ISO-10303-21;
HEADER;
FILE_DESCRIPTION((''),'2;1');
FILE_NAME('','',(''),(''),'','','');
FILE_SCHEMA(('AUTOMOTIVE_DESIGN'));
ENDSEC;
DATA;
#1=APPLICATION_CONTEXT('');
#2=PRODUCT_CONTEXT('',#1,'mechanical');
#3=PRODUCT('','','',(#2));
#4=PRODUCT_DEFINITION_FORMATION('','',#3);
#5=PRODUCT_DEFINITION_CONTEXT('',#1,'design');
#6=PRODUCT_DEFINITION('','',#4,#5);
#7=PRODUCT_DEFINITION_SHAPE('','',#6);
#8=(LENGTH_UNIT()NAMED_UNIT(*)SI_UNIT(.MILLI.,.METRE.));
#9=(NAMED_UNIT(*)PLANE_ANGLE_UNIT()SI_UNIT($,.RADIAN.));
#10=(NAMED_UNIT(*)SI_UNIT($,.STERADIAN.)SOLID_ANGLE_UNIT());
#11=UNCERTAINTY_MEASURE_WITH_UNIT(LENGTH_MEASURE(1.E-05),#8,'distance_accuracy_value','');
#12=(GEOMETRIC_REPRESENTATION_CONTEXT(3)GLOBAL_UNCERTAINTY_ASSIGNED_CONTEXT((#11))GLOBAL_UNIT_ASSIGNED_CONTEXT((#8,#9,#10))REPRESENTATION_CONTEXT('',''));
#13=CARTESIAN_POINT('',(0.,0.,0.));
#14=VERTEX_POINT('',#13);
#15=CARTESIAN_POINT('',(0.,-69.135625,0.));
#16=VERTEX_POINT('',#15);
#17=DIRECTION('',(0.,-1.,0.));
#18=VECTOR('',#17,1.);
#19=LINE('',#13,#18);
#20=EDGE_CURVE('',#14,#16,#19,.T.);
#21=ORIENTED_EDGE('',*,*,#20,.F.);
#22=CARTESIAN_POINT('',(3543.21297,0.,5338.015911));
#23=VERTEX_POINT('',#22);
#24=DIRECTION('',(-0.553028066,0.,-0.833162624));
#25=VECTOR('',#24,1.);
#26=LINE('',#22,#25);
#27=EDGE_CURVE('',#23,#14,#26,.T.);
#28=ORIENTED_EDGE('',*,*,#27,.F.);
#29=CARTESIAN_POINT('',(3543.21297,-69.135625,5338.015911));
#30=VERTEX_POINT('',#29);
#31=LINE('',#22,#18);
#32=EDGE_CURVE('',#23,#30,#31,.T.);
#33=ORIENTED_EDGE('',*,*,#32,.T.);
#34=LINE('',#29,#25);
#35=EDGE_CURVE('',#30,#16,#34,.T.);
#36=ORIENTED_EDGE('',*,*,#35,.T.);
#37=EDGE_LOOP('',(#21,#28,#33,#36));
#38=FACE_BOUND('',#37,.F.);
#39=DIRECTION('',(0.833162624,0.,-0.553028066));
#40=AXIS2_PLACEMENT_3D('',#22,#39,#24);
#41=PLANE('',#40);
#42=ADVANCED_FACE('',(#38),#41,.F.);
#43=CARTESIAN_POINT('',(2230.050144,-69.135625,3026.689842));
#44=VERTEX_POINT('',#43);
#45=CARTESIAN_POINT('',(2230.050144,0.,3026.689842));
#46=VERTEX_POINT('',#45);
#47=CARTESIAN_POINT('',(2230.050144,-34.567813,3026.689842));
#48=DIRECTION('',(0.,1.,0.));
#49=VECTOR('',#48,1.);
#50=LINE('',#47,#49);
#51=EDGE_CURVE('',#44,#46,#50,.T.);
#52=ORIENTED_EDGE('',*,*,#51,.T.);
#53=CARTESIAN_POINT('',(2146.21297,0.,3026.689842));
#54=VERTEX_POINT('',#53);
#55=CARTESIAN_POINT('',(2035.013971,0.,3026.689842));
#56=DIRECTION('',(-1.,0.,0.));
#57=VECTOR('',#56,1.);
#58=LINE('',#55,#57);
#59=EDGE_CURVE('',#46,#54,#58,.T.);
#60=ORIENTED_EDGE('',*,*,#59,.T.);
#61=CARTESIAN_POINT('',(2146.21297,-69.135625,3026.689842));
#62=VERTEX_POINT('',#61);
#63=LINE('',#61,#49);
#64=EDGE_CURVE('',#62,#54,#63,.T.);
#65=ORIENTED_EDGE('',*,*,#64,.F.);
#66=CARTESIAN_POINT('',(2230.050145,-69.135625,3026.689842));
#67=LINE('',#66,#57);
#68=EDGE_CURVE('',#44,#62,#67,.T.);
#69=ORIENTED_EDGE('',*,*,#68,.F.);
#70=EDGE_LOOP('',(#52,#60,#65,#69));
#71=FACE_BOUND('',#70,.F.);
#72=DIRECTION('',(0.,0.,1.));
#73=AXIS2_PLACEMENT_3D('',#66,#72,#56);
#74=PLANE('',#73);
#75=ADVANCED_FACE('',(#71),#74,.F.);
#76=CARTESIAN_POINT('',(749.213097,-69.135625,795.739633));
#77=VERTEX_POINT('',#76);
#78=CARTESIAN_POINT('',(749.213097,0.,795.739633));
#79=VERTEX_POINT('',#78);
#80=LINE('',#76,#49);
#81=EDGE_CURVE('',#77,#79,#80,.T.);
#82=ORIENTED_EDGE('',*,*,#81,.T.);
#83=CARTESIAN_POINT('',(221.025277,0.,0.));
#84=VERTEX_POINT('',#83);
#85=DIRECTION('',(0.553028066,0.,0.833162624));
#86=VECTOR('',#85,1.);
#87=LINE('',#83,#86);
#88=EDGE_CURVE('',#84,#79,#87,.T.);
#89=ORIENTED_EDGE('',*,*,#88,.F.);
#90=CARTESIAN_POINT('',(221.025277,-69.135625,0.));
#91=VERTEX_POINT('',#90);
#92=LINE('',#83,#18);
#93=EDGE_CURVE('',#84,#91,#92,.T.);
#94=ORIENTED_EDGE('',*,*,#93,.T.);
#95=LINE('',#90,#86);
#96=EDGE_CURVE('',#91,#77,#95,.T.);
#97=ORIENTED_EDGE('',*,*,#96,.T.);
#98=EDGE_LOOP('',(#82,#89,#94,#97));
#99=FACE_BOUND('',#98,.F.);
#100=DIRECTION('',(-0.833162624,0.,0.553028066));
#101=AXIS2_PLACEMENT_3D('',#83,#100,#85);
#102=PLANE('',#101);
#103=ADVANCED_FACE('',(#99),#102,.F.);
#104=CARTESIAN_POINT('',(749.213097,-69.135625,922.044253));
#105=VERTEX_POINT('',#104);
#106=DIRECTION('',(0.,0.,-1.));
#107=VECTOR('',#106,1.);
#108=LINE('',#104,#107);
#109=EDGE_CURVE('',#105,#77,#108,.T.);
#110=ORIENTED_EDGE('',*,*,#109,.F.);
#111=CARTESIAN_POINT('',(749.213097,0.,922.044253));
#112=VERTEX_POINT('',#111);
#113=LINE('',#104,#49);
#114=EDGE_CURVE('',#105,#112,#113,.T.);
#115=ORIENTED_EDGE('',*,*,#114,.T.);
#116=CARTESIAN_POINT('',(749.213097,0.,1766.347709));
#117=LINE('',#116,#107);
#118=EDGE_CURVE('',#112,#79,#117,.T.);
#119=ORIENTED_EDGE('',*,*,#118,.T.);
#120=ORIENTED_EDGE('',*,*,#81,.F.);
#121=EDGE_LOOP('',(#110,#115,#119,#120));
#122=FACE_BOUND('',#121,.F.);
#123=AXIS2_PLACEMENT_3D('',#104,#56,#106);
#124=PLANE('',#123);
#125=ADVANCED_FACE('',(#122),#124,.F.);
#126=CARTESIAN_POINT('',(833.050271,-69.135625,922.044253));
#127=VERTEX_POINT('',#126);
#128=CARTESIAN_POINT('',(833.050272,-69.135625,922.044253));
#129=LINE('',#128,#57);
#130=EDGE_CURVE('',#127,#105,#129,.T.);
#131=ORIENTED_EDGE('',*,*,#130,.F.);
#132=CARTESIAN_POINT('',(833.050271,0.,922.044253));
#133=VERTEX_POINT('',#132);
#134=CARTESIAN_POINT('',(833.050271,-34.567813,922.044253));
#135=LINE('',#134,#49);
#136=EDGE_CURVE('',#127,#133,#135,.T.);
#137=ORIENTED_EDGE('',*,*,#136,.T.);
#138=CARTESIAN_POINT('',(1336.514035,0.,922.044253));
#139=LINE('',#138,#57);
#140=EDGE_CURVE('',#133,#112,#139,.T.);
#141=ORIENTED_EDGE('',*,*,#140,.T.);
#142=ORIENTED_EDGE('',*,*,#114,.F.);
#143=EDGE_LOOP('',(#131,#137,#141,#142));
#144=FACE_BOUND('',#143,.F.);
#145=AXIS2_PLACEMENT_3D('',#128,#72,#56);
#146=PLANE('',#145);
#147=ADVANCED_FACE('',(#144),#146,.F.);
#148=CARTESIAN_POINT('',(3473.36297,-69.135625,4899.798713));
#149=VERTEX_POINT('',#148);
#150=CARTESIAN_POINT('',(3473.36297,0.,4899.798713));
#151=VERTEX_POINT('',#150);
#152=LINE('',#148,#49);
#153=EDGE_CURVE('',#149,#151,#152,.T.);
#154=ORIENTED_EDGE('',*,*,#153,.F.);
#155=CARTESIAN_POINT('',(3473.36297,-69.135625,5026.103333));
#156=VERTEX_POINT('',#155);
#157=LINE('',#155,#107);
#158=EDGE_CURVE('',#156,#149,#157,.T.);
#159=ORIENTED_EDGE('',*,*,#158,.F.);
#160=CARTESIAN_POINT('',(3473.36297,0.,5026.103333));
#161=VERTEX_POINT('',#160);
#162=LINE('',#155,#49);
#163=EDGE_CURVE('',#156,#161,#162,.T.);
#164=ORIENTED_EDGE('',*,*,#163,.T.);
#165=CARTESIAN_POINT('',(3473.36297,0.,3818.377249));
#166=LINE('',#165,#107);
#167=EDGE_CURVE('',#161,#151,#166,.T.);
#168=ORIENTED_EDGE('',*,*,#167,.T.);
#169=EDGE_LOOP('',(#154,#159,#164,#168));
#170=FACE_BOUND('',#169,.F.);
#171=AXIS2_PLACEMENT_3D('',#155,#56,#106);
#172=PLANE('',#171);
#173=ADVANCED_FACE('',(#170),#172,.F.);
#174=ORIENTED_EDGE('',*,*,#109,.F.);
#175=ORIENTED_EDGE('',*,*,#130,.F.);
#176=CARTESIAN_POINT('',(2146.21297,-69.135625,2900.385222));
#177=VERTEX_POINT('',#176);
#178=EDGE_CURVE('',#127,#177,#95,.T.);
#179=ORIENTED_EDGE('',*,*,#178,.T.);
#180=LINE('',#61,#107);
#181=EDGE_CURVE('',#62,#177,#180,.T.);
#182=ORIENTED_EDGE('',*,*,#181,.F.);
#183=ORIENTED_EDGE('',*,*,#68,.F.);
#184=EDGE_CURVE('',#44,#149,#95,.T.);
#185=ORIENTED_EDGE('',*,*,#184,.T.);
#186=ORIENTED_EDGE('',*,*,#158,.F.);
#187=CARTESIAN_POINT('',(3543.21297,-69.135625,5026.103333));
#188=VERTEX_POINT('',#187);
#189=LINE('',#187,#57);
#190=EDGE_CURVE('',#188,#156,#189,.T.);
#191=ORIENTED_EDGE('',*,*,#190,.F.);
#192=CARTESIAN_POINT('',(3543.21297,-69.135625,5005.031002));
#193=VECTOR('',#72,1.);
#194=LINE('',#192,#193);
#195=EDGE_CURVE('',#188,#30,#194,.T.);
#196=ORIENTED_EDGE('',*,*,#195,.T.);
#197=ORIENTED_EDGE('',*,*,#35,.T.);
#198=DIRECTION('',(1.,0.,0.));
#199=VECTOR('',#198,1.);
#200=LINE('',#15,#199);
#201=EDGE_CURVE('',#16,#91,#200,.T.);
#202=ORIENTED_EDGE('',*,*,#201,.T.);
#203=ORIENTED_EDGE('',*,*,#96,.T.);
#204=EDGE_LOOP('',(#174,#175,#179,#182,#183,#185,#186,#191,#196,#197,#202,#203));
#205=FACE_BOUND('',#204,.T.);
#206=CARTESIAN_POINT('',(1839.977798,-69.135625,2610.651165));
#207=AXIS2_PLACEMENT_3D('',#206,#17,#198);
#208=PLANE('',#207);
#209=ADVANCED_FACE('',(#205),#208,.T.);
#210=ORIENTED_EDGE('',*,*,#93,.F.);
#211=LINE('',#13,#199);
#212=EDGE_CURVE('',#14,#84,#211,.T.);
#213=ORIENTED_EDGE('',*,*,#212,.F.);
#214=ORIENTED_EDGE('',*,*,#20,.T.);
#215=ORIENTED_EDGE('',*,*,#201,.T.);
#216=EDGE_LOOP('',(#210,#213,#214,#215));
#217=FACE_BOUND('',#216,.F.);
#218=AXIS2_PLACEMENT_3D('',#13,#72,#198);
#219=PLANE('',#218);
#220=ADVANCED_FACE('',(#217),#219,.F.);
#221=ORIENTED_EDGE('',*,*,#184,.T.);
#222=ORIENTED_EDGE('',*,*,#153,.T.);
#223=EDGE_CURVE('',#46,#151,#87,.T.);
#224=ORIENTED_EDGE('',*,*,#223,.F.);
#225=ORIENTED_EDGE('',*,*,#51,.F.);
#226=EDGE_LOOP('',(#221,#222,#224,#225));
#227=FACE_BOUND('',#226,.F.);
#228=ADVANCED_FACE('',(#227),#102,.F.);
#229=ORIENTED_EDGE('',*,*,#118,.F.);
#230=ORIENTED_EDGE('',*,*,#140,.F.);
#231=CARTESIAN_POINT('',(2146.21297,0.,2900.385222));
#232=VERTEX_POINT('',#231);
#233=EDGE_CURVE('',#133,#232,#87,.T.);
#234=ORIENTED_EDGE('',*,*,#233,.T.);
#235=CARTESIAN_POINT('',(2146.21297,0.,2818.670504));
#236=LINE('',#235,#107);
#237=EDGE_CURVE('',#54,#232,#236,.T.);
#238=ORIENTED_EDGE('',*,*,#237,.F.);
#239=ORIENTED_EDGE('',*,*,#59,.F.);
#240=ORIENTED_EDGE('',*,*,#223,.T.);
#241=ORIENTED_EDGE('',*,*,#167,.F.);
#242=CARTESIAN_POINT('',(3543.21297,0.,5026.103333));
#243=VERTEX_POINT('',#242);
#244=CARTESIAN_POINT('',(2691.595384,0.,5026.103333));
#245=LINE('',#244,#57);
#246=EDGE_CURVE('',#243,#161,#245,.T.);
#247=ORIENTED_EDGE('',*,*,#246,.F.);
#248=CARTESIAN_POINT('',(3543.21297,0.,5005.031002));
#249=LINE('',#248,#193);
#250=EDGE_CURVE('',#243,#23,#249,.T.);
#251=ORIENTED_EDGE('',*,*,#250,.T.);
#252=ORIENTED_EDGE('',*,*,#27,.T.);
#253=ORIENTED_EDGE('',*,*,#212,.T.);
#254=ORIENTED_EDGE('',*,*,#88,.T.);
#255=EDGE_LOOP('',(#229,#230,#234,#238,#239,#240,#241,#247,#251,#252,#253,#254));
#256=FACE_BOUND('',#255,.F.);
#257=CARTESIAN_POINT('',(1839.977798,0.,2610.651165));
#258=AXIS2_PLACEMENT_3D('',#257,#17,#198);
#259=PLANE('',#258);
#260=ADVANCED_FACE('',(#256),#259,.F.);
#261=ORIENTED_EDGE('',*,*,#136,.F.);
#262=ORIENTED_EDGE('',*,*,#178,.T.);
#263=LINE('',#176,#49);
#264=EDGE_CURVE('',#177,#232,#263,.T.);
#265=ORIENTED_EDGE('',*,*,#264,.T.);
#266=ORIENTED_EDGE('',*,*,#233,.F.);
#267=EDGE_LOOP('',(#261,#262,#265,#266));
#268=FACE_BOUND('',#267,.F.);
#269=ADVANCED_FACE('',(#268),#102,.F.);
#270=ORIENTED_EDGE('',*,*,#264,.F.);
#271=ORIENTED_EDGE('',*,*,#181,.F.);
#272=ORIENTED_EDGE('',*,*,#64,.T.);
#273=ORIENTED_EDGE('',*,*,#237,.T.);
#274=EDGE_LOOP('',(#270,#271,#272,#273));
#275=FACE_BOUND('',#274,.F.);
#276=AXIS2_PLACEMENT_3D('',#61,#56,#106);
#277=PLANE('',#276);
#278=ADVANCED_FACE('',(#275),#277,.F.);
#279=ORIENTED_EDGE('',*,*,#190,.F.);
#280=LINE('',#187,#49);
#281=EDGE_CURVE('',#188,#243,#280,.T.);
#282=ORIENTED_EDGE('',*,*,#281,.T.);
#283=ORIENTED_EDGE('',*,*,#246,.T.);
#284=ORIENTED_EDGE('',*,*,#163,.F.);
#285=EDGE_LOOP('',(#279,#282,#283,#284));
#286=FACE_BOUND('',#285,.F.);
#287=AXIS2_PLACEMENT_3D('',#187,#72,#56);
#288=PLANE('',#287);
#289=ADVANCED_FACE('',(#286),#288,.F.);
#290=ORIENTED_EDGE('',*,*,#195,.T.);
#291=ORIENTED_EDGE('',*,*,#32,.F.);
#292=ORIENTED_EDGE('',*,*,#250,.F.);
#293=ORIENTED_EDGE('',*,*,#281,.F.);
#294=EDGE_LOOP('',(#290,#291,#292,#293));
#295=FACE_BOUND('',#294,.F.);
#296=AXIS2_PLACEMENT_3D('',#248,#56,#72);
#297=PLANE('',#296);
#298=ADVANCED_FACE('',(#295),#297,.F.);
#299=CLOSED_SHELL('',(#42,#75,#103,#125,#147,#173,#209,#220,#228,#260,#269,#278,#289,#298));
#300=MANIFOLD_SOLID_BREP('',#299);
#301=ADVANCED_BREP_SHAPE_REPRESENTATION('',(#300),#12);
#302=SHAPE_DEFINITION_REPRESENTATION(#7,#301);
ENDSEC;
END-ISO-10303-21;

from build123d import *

# Parameters (mm, degrees)
F1_DEPTH = 69.135625
F3_DEPTH = 69.136625


with BuildPart() as f1:
    # F0 (on Front) → F1 (new body)
    with BuildSketch(Plane.XZ):
        Polygon((3543.21297, 5338.015911), (0, 0), (221.025277, 0), (3543.21297, 5005.031002), align=None)
    extrude(amount=F1_DEPTH)

    # F2 (on face) → F3 (cut, through all)
    with BuildSketch(Plane.XZ.offset(69.135625)):
        Polygon((3543.21297, 5026.103333), (3473.36297, 5026.103333), (3473.36297, 4899.798713), (3543.21297, 5005.031002), align=None)
        Polygon((2146.21297, 2900.385222), (2230.050145, 3026.689842), (2146.21297, 3026.689842), align=None)
        Polygon((749.213097, 795.739633), (833.050272, 922.044253), (749.213097, 922.044253), align=None)
    extrude(amount=-F3_DEPTH, mode=Mode.SUBTRACT)


solid = f1.part
